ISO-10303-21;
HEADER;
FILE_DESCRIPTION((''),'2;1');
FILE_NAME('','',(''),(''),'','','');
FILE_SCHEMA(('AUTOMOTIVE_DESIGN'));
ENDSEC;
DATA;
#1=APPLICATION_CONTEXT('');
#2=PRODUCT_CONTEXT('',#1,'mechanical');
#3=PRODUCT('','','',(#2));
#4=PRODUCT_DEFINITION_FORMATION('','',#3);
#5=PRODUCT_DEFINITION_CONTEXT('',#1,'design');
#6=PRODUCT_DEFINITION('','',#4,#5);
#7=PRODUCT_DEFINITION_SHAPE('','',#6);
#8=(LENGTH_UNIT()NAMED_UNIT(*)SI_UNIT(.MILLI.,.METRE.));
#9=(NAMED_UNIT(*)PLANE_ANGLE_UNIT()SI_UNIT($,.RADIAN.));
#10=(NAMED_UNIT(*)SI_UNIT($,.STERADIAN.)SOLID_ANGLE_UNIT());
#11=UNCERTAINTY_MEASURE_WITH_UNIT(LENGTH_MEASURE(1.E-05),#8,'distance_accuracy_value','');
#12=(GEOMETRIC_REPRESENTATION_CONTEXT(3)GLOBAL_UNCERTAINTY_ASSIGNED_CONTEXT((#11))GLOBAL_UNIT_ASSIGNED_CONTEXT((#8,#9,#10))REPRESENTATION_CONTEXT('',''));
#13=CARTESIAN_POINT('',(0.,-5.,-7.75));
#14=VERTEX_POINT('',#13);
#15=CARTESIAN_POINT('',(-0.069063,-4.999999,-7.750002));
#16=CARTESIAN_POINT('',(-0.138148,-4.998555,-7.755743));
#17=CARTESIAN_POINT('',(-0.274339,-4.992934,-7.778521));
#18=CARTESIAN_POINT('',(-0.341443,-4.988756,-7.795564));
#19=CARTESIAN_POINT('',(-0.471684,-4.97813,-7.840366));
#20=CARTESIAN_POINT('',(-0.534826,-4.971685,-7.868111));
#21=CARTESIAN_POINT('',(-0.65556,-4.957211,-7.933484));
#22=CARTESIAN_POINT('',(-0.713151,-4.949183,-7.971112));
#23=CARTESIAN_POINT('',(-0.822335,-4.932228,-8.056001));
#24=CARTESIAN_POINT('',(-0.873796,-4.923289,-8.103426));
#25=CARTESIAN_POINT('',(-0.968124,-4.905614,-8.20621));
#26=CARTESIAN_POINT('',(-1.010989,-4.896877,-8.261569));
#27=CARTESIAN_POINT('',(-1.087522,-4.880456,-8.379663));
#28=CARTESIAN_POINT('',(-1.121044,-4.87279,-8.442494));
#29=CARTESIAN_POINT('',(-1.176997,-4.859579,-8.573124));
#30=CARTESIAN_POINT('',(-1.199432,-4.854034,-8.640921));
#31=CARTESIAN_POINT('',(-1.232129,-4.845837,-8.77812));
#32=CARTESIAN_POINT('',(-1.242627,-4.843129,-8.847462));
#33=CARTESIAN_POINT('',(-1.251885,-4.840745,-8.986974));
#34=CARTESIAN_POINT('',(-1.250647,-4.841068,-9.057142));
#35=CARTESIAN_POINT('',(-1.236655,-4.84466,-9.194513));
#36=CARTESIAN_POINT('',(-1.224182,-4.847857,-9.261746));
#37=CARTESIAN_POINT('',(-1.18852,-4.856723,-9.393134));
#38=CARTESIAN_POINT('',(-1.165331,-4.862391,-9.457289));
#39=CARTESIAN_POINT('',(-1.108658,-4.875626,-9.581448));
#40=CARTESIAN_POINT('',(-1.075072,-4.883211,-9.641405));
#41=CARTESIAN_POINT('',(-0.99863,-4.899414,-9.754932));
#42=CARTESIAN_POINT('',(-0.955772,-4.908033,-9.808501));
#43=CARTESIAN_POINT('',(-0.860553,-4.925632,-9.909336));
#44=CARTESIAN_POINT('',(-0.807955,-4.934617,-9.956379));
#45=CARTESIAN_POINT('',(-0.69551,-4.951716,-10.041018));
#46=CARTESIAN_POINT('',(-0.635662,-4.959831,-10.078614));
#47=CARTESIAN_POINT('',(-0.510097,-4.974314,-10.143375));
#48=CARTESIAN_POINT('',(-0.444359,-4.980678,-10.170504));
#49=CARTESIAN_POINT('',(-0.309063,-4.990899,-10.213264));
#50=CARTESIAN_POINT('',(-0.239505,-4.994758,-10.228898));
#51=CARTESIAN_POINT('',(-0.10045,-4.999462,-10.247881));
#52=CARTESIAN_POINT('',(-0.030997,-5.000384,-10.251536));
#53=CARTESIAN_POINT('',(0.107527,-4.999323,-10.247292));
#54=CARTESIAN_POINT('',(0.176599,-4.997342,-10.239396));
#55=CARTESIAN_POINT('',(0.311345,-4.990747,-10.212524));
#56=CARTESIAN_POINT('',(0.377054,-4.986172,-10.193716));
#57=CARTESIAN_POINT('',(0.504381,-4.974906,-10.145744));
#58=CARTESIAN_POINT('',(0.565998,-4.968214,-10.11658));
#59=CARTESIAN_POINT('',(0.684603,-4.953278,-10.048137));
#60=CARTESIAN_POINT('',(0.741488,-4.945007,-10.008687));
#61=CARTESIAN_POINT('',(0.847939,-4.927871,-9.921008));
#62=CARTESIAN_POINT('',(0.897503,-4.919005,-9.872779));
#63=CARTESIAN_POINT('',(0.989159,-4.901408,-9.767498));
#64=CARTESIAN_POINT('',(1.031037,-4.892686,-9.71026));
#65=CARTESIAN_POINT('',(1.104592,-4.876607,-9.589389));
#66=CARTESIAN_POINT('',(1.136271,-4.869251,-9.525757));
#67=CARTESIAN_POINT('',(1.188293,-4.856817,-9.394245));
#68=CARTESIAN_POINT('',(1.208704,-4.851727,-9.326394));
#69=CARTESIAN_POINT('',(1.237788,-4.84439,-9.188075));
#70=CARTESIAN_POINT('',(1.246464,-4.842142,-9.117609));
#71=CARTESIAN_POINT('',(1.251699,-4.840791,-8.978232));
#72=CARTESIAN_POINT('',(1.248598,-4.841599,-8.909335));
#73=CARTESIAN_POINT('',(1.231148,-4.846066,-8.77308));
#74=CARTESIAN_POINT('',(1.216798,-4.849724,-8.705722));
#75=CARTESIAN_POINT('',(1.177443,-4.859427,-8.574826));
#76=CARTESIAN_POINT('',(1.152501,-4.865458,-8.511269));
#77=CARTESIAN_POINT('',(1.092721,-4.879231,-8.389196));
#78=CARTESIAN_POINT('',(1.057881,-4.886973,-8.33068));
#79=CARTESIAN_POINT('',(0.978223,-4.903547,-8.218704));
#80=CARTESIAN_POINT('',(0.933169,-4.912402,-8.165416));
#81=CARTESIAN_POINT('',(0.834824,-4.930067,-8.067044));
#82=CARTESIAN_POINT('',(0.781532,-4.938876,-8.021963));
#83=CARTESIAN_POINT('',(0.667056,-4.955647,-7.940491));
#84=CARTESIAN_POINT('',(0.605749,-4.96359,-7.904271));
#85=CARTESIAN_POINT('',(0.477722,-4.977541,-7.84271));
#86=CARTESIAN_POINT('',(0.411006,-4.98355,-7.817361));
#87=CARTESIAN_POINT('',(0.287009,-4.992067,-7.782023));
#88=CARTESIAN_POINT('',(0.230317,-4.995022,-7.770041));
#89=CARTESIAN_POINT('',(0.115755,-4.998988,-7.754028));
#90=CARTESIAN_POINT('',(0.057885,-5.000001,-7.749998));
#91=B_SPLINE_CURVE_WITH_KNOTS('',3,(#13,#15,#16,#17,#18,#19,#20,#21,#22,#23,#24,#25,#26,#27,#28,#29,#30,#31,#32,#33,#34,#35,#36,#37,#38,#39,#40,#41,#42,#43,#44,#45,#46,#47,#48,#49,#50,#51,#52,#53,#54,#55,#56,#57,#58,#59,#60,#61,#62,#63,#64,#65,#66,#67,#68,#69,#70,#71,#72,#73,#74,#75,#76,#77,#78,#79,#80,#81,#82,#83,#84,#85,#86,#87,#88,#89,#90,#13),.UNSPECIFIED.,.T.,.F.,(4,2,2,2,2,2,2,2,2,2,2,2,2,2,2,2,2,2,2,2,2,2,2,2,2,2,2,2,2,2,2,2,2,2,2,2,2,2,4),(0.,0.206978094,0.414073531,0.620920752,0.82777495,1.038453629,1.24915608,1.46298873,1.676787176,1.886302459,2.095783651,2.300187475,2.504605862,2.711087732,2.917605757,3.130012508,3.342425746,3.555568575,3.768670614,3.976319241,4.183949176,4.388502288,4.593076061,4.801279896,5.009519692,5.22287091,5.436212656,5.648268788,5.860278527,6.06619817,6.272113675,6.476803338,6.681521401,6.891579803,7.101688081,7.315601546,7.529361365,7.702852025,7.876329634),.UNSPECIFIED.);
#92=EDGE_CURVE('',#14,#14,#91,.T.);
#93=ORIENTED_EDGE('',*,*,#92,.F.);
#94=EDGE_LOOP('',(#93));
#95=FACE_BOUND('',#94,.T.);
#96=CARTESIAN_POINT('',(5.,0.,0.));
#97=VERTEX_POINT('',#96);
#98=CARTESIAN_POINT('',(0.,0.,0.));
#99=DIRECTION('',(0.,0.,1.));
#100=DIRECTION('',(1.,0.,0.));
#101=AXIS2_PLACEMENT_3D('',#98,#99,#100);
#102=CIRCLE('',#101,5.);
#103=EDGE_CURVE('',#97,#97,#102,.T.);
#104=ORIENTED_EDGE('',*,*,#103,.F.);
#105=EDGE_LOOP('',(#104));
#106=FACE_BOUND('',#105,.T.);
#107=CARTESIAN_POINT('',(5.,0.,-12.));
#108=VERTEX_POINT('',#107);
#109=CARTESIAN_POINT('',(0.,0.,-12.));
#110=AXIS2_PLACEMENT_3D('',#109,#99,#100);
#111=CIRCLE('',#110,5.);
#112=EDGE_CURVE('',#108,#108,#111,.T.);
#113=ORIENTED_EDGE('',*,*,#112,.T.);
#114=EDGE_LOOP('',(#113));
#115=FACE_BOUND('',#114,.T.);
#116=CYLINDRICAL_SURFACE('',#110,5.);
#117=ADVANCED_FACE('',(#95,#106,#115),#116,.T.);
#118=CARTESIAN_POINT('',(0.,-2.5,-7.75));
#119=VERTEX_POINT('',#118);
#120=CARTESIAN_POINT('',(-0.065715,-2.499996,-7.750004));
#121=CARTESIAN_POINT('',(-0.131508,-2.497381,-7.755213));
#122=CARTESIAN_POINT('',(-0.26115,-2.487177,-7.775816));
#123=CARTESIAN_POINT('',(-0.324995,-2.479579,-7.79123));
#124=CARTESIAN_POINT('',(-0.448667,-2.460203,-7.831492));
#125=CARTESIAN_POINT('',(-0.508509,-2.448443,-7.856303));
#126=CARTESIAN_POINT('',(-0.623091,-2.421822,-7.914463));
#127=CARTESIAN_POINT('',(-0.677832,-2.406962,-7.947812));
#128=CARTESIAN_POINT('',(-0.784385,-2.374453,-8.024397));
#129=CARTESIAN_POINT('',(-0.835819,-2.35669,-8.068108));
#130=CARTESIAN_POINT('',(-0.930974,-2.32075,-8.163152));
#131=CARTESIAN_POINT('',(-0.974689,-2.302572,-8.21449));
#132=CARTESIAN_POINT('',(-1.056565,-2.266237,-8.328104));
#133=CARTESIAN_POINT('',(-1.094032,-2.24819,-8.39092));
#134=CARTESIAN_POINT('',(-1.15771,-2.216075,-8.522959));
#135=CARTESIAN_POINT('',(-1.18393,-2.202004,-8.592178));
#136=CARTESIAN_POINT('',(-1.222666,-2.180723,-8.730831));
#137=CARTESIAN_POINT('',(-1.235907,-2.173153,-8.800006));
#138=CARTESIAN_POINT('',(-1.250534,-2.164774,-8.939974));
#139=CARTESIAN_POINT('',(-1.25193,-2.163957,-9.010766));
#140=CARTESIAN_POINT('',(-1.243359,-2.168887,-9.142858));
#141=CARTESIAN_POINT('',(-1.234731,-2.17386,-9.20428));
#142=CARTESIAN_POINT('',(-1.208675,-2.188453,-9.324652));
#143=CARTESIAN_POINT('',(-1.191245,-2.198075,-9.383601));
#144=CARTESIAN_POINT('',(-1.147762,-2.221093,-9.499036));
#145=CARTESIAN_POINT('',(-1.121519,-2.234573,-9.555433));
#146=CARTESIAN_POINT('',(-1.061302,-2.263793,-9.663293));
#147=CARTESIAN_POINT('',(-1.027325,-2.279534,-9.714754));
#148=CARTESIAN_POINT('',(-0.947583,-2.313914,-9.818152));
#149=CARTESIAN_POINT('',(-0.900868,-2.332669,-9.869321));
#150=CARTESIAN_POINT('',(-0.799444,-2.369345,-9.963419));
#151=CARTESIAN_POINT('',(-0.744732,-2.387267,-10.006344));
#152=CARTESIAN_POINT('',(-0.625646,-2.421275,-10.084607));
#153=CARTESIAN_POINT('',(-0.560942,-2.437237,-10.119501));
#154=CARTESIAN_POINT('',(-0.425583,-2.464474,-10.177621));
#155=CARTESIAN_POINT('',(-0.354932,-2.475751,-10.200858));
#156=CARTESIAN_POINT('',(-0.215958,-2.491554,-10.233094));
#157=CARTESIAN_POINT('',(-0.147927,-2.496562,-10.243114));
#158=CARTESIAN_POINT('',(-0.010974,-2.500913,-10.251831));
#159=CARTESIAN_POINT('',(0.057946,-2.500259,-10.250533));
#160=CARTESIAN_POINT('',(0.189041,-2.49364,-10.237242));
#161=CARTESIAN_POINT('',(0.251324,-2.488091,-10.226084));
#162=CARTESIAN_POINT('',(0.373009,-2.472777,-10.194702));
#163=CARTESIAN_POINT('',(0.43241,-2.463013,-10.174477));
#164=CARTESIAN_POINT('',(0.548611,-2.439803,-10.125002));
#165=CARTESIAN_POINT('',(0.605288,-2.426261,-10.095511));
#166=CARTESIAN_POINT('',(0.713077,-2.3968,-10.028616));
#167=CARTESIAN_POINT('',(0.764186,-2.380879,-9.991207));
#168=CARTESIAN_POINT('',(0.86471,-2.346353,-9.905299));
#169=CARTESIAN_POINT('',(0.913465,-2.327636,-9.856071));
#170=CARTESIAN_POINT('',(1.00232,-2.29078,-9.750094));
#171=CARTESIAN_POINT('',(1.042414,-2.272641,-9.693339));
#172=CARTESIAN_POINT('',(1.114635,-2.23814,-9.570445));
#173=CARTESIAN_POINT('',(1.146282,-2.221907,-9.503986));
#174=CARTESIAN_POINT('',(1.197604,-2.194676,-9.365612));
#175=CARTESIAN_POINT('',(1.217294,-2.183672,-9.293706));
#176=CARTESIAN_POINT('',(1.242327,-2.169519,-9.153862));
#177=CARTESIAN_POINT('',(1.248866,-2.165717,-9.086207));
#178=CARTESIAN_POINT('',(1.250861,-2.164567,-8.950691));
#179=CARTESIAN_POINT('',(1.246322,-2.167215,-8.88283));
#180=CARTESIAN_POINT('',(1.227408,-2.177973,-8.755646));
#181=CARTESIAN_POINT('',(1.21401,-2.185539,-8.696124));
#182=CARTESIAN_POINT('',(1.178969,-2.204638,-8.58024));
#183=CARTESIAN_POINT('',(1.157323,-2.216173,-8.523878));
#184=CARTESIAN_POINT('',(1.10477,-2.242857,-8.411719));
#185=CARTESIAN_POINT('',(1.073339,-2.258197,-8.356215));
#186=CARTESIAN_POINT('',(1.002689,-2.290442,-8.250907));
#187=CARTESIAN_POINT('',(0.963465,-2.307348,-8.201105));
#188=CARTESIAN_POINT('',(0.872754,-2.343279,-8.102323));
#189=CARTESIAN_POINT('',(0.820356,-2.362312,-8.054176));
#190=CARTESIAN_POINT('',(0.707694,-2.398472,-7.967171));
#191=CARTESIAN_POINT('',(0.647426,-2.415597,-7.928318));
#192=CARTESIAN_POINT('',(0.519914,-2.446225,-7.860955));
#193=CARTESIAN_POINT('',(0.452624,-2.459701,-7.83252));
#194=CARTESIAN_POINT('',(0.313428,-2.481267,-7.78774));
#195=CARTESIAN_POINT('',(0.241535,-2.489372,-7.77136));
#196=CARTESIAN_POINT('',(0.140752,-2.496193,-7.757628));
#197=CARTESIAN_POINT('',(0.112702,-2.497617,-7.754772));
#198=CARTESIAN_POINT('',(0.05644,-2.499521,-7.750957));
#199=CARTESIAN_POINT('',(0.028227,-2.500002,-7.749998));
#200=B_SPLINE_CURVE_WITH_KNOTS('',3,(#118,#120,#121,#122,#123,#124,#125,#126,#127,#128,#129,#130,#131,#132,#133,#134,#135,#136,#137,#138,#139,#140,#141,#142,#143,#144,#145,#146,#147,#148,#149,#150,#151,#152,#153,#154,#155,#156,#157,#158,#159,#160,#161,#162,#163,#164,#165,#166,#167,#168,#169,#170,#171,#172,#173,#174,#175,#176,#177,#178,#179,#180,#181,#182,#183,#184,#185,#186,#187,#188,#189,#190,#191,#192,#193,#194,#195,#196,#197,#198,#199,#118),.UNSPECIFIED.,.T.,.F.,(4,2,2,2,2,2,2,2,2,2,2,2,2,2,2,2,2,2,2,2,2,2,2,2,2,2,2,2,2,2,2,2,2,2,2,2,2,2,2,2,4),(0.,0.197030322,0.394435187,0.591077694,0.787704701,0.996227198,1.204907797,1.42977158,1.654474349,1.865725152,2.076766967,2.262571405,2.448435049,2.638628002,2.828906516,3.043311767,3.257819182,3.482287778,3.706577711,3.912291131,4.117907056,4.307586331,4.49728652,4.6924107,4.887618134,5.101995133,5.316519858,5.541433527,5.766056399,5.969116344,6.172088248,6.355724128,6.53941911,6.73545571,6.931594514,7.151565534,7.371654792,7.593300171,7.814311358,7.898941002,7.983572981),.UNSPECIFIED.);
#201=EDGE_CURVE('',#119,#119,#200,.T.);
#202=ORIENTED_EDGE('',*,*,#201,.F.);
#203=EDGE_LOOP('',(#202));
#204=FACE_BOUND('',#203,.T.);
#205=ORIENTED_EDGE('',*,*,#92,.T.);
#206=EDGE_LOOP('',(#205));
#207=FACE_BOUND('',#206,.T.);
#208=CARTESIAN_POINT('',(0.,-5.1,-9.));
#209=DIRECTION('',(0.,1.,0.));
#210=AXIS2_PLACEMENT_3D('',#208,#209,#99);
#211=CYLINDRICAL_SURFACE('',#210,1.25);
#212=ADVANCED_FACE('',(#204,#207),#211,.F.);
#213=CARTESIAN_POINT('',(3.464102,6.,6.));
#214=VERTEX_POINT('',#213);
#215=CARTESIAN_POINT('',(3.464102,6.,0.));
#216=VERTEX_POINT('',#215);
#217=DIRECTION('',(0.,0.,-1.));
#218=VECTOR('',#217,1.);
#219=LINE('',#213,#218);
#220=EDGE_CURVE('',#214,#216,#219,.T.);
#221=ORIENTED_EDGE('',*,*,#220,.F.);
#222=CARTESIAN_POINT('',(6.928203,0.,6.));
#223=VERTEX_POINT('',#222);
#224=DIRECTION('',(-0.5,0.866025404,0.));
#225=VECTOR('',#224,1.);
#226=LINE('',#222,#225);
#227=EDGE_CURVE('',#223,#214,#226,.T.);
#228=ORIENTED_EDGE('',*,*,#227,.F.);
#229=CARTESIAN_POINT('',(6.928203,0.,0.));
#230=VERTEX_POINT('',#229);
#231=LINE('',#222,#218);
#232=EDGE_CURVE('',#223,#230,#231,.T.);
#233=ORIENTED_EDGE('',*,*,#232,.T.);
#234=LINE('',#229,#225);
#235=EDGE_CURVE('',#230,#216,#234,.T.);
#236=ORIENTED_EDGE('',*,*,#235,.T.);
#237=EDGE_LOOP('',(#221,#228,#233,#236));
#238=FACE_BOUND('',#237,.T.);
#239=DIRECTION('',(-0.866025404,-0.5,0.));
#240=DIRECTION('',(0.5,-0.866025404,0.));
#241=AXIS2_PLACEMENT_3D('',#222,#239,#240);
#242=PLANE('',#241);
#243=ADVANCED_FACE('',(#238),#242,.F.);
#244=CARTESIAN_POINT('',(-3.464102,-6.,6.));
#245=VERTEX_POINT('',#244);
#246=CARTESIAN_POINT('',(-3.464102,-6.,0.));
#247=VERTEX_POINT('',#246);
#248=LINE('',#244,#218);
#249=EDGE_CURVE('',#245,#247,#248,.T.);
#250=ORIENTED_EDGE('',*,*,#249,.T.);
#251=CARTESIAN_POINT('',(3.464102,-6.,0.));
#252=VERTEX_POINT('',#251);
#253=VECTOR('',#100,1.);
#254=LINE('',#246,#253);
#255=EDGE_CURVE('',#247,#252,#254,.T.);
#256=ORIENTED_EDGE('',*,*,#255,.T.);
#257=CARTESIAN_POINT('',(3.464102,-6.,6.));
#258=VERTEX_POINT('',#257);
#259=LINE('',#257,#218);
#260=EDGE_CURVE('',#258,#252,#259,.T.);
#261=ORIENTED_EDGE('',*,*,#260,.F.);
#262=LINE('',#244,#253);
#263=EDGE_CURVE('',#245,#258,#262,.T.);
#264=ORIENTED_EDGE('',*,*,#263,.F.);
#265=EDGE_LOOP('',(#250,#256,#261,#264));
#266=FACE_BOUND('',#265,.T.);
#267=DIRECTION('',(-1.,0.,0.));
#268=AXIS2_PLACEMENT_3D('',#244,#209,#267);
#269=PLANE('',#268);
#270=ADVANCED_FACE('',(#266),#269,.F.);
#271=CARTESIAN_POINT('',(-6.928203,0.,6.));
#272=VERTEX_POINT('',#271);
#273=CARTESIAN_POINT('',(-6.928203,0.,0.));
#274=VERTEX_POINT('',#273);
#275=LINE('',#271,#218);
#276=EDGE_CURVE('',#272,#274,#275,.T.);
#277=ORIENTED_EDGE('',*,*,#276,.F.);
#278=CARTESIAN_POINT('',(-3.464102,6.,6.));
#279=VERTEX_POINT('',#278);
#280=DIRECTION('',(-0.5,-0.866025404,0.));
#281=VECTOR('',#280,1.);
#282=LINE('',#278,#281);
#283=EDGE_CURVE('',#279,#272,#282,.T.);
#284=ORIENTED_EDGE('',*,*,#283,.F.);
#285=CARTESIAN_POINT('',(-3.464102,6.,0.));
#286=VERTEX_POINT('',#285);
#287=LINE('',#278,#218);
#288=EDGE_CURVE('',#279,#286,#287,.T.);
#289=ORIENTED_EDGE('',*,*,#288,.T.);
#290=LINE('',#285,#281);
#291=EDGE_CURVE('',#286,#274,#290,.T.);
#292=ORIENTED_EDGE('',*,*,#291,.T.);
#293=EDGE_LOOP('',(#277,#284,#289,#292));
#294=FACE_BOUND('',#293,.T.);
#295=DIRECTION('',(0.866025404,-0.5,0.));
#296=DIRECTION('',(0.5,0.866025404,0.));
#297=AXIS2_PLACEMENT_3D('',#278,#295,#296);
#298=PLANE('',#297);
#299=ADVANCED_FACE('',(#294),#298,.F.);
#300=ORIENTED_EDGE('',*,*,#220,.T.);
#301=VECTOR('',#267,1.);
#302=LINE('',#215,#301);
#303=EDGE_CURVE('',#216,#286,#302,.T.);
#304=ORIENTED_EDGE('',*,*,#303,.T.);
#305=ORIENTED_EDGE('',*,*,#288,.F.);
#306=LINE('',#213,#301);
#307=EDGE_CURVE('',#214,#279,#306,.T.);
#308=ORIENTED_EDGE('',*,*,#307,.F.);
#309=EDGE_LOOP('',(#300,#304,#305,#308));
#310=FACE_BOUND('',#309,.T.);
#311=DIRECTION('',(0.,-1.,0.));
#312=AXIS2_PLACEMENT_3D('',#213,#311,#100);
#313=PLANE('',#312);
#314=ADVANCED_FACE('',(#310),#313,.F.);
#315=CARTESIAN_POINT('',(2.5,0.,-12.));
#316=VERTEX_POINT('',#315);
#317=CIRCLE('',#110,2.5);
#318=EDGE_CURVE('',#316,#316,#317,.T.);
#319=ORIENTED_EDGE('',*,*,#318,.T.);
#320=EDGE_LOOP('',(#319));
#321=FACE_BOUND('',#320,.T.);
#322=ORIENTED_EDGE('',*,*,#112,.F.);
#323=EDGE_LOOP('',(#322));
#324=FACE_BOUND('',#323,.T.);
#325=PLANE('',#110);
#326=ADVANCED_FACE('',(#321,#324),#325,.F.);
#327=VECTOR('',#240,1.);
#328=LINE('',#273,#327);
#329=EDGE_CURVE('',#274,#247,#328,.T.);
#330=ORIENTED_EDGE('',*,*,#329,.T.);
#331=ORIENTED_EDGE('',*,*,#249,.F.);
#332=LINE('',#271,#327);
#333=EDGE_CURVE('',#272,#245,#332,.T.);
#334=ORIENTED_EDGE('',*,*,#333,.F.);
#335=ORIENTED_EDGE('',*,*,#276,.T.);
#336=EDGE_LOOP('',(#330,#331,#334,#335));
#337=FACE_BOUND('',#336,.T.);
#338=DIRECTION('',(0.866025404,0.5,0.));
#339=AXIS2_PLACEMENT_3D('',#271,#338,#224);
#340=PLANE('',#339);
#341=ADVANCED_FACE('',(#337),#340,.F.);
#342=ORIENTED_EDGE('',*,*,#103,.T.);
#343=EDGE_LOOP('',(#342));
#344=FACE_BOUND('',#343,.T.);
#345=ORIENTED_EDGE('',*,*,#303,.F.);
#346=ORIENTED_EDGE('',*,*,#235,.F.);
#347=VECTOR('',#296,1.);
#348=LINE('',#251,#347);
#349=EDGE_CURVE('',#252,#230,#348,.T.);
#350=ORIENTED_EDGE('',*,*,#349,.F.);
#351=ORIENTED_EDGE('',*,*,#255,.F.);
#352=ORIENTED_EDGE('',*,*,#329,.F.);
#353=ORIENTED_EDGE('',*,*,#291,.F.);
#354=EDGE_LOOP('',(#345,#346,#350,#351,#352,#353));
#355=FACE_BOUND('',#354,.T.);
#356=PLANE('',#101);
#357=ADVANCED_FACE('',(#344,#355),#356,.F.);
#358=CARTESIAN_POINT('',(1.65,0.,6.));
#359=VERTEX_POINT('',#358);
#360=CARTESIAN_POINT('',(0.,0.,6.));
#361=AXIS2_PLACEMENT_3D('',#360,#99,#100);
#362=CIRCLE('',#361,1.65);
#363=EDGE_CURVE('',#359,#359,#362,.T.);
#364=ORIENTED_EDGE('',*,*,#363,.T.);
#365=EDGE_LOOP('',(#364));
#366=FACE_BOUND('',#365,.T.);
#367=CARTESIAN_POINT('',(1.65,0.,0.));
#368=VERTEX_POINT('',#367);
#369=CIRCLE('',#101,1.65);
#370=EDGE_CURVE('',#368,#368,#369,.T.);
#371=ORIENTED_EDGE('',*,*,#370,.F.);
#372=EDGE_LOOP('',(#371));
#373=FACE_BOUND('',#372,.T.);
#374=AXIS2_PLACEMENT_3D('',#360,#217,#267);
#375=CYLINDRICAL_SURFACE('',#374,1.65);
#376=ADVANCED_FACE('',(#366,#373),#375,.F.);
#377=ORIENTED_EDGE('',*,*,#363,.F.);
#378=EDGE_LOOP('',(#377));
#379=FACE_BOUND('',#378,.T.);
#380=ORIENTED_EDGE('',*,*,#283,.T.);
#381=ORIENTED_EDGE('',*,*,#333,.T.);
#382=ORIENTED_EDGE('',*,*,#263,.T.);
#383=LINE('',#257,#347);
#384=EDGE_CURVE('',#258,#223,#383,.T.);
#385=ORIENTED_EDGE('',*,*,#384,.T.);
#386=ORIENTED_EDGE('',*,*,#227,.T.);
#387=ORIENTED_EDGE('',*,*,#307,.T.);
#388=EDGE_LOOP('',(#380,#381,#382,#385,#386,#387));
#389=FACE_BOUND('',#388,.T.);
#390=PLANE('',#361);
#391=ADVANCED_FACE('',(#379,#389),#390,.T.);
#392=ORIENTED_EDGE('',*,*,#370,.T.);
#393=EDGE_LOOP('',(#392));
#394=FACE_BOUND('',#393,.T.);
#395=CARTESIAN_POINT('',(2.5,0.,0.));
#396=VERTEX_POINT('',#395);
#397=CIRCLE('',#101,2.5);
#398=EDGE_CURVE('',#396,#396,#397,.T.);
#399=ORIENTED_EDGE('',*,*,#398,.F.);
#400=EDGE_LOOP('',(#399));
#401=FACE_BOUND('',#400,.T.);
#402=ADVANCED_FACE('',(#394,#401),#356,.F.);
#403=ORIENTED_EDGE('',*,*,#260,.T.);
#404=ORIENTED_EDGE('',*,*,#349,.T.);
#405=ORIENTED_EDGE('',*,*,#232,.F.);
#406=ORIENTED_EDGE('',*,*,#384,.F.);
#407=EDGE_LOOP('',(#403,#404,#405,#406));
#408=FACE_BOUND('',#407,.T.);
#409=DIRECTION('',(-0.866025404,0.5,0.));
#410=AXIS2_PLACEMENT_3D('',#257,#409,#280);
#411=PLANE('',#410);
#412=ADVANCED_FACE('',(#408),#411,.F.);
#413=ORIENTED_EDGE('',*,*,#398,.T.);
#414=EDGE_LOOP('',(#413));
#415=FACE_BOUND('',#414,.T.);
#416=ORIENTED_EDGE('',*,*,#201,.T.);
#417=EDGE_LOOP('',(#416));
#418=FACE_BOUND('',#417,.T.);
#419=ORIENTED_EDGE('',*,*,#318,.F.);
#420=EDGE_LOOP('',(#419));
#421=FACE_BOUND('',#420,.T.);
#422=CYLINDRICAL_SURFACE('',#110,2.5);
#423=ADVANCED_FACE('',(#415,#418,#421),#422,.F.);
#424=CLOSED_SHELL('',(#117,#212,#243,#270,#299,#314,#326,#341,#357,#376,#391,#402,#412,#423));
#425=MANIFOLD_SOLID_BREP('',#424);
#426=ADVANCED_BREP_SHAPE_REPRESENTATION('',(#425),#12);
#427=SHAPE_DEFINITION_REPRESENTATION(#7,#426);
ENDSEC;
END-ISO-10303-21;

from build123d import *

# Parameters (mm, degrees)
BOSS_EXTRUDE1_DEPTH = 6
SKETCH2_R           = 5
BOSS_EXTRUDE2_DEPTH = 12
SKETCH3_R           = 2.5
CUT_EXTRUDE1_DEPTH  = 12
SKETCH4_R           = 1.65
CUT_EXTRUDE2_DEPTH  = 6
SKETCH5_R           = 1.25
CUT_EXTRUDE3_DEPTH  = 5.1


with BuildPart() as part:
    # Sketch1 → Boss-Extrude1 (new body)
    with BuildSketch(Plane.XY):
        Polygon((6.92820323, 0), (3.464101615, 6), (-3.464101615, 6), (-6.92820323, 0), (-3.464101615, -6), (3.464101615, -6), align=None)
    extrude(amount=BOSS_EXTRUDE1_DEPTH)

    # Sketch2 → Boss-Extrude2 (add)
    with BuildSketch(Plane.XY):
        Circle(SKETCH2_R)
    extrude(amount=-BOSS_EXTRUDE2_DEPTH)

    # Sketch3 → Cut-Extrude1 (cut)
    with BuildSketch(Plane.XY):
        Circle(SKETCH3_R)
    extrude(amount=-CUT_EXTRUDE1_DEPTH, mode=Mode.SUBTRACT)

    # Sketch4 → Cut-Extrude2 (cut)
    with BuildSketch(Plane.XY):
        Circle(SKETCH4_R)
    extrude(amount=CUT_EXTRUDE2_DEPTH, mode=Mode.SUBTRACT)

    # Sketch5 → Cut-Extrude3 (cut)
    with BuildSketch(Plane(origin=(0, 0, 0), x_dir=(1, 0, 0), z_dir=(0, 1, 0))):
        with Locations(Location((0, 9, 0), (0, 0, 270))):
            Circle(SKETCH5_R)
    extrude(amount=-CUT_EXTRUDE3_DEPTH, mode=Mode.SUBTRACT)


solid = part.part
